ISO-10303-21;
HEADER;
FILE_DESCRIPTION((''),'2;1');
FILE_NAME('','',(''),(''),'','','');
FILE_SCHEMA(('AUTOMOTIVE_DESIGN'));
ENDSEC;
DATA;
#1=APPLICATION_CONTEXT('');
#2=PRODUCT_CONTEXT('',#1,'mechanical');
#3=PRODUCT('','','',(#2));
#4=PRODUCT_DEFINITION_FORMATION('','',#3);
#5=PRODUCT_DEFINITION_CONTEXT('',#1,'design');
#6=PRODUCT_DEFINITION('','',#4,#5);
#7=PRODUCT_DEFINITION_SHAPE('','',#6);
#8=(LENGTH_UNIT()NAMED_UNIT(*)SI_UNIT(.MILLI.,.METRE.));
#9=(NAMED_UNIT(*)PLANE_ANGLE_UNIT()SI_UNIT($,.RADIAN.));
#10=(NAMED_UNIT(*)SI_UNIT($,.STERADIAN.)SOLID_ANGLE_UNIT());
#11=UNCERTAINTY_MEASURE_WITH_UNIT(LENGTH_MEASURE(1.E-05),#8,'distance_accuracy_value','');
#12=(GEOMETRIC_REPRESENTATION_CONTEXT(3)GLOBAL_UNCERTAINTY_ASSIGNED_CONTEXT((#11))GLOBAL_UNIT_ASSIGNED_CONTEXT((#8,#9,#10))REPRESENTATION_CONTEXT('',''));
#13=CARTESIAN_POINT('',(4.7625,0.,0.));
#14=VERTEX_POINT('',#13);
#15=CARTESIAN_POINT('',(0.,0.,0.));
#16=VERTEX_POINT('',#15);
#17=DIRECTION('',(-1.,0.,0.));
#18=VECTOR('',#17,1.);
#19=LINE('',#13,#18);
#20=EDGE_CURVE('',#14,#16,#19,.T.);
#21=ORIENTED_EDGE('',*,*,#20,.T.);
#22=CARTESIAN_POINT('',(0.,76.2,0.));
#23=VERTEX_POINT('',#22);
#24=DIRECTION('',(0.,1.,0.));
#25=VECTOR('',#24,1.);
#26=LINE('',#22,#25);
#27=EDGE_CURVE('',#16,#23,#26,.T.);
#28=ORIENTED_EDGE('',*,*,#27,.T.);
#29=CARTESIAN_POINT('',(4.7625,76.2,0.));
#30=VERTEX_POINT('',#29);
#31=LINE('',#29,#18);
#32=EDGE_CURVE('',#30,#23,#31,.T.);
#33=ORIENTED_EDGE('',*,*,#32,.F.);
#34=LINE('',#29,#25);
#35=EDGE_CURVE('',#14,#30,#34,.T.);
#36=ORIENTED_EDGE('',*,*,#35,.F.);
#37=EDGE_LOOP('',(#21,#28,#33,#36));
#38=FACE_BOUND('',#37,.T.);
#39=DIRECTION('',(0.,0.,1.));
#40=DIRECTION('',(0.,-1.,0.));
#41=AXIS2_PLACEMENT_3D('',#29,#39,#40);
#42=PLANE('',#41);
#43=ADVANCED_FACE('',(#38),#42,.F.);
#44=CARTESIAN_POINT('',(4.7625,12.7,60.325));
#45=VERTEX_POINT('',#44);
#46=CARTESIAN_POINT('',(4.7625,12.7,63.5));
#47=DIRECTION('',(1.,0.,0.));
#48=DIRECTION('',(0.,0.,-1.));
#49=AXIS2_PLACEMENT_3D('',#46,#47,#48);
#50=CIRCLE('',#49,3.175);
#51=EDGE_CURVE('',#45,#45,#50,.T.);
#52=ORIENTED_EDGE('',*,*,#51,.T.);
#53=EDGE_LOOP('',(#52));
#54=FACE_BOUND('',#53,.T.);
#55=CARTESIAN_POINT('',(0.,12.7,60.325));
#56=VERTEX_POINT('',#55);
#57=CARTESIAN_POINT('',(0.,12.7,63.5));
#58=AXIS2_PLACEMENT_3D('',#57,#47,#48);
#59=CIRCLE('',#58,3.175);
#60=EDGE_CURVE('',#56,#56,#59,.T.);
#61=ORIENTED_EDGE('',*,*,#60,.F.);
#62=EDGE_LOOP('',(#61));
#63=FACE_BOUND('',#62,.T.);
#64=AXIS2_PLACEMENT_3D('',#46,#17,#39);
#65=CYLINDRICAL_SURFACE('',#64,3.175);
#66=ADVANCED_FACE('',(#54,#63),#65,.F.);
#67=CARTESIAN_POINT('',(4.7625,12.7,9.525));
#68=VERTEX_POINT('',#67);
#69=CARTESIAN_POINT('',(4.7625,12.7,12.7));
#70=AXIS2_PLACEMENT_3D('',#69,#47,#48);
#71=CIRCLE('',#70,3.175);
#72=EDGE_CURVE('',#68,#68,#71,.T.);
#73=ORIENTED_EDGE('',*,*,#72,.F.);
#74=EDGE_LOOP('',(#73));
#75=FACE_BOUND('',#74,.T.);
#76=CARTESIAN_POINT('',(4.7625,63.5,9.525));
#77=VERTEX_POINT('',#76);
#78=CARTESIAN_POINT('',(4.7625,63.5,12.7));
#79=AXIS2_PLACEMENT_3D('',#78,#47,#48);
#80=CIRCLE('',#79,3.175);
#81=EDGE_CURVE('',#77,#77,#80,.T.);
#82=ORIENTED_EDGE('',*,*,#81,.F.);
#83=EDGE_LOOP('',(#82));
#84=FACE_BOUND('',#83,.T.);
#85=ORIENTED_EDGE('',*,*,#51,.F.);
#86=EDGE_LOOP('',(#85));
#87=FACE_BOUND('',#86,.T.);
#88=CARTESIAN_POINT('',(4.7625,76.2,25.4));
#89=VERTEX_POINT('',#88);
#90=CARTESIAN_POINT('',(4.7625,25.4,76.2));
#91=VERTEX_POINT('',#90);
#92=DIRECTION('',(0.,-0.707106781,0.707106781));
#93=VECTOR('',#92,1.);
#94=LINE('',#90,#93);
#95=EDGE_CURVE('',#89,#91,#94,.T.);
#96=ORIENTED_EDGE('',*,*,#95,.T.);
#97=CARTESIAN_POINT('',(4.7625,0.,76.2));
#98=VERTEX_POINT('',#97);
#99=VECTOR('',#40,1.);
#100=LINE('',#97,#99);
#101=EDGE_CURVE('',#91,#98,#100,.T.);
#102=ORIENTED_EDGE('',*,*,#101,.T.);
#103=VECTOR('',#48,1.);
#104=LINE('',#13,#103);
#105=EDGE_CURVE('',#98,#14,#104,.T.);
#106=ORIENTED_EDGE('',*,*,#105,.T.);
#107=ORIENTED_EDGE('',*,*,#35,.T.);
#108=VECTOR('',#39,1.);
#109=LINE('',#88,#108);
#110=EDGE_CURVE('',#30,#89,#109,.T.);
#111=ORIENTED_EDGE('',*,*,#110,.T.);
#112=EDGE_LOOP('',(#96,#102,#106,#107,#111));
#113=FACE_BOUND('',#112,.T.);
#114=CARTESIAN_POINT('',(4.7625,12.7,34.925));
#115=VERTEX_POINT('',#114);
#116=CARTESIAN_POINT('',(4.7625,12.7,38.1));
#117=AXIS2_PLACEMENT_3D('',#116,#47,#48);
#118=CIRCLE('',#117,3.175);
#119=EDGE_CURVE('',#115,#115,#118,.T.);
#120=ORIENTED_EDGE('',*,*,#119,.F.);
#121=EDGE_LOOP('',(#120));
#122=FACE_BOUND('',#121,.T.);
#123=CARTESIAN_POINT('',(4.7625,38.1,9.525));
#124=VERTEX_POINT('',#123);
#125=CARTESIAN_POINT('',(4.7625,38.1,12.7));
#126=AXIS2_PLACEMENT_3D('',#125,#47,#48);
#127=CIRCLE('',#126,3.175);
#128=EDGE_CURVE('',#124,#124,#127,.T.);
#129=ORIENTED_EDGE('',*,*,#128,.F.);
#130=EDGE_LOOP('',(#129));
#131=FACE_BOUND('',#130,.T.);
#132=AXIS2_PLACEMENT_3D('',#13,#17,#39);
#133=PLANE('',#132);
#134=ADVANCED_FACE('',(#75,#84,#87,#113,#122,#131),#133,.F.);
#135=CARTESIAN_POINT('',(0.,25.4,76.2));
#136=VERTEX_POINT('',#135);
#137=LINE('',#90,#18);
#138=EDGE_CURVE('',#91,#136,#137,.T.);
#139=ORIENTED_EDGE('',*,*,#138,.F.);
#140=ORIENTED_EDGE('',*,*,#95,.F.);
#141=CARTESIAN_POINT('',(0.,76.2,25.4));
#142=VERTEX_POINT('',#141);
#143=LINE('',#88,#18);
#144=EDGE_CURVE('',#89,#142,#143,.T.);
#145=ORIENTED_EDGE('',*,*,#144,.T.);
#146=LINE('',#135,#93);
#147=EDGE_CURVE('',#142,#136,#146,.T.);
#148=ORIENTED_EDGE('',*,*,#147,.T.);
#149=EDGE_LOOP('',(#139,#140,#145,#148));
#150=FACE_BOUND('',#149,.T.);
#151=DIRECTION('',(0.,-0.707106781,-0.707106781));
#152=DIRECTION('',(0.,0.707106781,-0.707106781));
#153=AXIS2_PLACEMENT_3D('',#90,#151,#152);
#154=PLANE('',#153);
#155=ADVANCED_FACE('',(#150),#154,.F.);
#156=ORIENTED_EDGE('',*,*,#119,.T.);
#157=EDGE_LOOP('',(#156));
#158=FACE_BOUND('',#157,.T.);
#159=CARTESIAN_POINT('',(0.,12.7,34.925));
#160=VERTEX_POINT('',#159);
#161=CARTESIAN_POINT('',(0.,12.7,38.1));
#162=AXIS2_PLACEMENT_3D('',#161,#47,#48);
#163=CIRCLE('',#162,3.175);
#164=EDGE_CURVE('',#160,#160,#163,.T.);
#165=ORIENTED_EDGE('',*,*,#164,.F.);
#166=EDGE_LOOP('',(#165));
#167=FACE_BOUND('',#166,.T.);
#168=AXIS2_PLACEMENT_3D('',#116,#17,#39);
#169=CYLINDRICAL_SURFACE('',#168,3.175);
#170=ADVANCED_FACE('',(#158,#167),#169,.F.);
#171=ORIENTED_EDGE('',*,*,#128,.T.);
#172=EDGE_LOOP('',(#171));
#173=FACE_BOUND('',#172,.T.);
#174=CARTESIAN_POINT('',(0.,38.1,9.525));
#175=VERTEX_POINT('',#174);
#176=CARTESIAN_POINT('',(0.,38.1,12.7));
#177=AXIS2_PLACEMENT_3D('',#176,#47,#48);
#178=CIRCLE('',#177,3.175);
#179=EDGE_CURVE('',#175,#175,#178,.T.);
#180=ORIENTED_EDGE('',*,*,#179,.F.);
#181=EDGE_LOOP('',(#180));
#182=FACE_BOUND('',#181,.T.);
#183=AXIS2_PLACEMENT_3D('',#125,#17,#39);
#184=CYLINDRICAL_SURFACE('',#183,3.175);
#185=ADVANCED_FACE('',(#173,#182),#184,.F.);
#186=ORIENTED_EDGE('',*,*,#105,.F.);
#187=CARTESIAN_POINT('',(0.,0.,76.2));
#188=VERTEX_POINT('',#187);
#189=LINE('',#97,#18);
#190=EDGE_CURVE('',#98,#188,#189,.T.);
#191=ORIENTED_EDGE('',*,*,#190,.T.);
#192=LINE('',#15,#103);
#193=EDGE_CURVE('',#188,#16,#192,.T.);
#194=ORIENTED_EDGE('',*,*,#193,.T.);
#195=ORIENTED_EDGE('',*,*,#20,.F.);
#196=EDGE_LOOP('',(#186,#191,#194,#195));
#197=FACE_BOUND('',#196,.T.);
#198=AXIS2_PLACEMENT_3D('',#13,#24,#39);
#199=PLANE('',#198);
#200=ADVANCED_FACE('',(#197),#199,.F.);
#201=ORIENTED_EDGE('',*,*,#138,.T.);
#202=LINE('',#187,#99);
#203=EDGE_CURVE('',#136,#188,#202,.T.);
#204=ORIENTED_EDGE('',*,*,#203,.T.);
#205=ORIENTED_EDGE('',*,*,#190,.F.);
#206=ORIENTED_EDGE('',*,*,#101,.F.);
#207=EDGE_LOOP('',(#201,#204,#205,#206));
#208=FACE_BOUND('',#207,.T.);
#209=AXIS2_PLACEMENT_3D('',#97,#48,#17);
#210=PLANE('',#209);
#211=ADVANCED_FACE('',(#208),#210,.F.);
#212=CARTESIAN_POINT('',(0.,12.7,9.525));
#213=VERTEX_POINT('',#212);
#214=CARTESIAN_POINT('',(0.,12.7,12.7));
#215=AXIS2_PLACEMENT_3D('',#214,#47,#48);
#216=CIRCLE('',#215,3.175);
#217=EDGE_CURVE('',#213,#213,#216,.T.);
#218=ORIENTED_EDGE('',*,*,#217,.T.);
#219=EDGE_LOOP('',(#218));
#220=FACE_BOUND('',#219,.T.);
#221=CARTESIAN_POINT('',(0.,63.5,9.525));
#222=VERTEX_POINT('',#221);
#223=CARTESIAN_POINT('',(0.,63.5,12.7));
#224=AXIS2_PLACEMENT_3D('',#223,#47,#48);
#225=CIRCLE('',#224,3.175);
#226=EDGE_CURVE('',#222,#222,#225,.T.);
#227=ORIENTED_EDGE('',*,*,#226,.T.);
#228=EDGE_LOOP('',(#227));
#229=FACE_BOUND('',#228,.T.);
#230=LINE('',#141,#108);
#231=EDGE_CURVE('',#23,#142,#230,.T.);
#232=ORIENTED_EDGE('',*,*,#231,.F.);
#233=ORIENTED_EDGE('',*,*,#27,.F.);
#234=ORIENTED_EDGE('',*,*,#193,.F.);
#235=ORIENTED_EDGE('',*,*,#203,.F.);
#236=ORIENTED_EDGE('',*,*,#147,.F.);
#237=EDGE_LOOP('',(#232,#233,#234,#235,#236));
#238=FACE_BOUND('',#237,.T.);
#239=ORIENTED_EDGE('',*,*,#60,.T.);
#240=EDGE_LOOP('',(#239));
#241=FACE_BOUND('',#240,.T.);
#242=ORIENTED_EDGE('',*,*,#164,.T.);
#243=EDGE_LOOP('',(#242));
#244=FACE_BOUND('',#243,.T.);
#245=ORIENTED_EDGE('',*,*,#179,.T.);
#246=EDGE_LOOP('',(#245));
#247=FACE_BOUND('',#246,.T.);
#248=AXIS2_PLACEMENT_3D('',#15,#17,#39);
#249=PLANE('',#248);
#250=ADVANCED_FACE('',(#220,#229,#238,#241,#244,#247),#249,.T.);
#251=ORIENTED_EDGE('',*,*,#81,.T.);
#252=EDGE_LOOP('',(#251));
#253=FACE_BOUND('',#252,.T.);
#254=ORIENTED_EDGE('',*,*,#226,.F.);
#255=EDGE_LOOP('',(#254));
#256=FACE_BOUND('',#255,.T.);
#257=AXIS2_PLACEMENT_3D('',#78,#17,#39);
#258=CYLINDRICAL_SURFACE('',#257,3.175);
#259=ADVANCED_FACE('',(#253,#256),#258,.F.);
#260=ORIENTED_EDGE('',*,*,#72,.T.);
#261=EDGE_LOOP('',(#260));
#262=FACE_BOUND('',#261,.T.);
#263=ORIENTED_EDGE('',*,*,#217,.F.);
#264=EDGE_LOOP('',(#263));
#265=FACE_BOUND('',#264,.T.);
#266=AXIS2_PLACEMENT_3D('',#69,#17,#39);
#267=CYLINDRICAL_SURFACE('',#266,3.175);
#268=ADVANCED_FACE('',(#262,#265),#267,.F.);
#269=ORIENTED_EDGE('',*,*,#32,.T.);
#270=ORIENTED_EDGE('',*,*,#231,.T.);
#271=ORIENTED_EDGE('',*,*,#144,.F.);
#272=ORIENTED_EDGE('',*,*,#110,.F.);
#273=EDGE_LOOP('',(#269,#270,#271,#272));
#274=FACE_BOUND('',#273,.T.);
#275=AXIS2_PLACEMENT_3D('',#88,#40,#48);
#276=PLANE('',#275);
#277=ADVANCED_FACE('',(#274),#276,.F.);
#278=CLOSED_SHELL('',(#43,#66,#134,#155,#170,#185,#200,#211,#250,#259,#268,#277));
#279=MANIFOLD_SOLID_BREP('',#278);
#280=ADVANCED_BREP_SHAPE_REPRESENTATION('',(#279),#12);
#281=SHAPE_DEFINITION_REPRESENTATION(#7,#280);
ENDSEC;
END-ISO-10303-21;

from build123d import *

# Parameters (mm, degrees)
SKETCH1_R           = 3.175
BOSS_EXTRUDE1_DEPTH = 4.7625


with BuildPart() as part:
    # Sketch1 → Boss-Extrude1 (new body)
    with BuildSketch(Plane(origin=(0, 0, 0), x_dir=(0, 0, -1), z_dir=(1, 0, 0))):
        Polygon((0, 0), (-76.2, 0), (-76.2, 25.4), (-25.4, 76.2), (0, 76.2), align=None)
        with Locations((-12.7, 12.7)):
            Circle(SKETCH1_R, mode=Mode.SUBTRACT)
        with Locations((-12.7, 38.1)):
            Circle(SKETCH1_R, mode=Mode.SUBTRACT)
        with Locations((-12.7, 63.5)):
            Circle(SKETCH1_R, mode=Mode.SUBTRACT)
        with Locations((-38.1, 12.7)):
            Circle(SKETCH1_R, mode=Mode.SUBTRACT)
        with Locations((-63.5, 12.7)):
            Circle(SKETCH1_R, mode=Mode.SUBTRACT)
    extrude(amount=BOSS_EXTRUDE1_DEPTH)


solid = part.part
